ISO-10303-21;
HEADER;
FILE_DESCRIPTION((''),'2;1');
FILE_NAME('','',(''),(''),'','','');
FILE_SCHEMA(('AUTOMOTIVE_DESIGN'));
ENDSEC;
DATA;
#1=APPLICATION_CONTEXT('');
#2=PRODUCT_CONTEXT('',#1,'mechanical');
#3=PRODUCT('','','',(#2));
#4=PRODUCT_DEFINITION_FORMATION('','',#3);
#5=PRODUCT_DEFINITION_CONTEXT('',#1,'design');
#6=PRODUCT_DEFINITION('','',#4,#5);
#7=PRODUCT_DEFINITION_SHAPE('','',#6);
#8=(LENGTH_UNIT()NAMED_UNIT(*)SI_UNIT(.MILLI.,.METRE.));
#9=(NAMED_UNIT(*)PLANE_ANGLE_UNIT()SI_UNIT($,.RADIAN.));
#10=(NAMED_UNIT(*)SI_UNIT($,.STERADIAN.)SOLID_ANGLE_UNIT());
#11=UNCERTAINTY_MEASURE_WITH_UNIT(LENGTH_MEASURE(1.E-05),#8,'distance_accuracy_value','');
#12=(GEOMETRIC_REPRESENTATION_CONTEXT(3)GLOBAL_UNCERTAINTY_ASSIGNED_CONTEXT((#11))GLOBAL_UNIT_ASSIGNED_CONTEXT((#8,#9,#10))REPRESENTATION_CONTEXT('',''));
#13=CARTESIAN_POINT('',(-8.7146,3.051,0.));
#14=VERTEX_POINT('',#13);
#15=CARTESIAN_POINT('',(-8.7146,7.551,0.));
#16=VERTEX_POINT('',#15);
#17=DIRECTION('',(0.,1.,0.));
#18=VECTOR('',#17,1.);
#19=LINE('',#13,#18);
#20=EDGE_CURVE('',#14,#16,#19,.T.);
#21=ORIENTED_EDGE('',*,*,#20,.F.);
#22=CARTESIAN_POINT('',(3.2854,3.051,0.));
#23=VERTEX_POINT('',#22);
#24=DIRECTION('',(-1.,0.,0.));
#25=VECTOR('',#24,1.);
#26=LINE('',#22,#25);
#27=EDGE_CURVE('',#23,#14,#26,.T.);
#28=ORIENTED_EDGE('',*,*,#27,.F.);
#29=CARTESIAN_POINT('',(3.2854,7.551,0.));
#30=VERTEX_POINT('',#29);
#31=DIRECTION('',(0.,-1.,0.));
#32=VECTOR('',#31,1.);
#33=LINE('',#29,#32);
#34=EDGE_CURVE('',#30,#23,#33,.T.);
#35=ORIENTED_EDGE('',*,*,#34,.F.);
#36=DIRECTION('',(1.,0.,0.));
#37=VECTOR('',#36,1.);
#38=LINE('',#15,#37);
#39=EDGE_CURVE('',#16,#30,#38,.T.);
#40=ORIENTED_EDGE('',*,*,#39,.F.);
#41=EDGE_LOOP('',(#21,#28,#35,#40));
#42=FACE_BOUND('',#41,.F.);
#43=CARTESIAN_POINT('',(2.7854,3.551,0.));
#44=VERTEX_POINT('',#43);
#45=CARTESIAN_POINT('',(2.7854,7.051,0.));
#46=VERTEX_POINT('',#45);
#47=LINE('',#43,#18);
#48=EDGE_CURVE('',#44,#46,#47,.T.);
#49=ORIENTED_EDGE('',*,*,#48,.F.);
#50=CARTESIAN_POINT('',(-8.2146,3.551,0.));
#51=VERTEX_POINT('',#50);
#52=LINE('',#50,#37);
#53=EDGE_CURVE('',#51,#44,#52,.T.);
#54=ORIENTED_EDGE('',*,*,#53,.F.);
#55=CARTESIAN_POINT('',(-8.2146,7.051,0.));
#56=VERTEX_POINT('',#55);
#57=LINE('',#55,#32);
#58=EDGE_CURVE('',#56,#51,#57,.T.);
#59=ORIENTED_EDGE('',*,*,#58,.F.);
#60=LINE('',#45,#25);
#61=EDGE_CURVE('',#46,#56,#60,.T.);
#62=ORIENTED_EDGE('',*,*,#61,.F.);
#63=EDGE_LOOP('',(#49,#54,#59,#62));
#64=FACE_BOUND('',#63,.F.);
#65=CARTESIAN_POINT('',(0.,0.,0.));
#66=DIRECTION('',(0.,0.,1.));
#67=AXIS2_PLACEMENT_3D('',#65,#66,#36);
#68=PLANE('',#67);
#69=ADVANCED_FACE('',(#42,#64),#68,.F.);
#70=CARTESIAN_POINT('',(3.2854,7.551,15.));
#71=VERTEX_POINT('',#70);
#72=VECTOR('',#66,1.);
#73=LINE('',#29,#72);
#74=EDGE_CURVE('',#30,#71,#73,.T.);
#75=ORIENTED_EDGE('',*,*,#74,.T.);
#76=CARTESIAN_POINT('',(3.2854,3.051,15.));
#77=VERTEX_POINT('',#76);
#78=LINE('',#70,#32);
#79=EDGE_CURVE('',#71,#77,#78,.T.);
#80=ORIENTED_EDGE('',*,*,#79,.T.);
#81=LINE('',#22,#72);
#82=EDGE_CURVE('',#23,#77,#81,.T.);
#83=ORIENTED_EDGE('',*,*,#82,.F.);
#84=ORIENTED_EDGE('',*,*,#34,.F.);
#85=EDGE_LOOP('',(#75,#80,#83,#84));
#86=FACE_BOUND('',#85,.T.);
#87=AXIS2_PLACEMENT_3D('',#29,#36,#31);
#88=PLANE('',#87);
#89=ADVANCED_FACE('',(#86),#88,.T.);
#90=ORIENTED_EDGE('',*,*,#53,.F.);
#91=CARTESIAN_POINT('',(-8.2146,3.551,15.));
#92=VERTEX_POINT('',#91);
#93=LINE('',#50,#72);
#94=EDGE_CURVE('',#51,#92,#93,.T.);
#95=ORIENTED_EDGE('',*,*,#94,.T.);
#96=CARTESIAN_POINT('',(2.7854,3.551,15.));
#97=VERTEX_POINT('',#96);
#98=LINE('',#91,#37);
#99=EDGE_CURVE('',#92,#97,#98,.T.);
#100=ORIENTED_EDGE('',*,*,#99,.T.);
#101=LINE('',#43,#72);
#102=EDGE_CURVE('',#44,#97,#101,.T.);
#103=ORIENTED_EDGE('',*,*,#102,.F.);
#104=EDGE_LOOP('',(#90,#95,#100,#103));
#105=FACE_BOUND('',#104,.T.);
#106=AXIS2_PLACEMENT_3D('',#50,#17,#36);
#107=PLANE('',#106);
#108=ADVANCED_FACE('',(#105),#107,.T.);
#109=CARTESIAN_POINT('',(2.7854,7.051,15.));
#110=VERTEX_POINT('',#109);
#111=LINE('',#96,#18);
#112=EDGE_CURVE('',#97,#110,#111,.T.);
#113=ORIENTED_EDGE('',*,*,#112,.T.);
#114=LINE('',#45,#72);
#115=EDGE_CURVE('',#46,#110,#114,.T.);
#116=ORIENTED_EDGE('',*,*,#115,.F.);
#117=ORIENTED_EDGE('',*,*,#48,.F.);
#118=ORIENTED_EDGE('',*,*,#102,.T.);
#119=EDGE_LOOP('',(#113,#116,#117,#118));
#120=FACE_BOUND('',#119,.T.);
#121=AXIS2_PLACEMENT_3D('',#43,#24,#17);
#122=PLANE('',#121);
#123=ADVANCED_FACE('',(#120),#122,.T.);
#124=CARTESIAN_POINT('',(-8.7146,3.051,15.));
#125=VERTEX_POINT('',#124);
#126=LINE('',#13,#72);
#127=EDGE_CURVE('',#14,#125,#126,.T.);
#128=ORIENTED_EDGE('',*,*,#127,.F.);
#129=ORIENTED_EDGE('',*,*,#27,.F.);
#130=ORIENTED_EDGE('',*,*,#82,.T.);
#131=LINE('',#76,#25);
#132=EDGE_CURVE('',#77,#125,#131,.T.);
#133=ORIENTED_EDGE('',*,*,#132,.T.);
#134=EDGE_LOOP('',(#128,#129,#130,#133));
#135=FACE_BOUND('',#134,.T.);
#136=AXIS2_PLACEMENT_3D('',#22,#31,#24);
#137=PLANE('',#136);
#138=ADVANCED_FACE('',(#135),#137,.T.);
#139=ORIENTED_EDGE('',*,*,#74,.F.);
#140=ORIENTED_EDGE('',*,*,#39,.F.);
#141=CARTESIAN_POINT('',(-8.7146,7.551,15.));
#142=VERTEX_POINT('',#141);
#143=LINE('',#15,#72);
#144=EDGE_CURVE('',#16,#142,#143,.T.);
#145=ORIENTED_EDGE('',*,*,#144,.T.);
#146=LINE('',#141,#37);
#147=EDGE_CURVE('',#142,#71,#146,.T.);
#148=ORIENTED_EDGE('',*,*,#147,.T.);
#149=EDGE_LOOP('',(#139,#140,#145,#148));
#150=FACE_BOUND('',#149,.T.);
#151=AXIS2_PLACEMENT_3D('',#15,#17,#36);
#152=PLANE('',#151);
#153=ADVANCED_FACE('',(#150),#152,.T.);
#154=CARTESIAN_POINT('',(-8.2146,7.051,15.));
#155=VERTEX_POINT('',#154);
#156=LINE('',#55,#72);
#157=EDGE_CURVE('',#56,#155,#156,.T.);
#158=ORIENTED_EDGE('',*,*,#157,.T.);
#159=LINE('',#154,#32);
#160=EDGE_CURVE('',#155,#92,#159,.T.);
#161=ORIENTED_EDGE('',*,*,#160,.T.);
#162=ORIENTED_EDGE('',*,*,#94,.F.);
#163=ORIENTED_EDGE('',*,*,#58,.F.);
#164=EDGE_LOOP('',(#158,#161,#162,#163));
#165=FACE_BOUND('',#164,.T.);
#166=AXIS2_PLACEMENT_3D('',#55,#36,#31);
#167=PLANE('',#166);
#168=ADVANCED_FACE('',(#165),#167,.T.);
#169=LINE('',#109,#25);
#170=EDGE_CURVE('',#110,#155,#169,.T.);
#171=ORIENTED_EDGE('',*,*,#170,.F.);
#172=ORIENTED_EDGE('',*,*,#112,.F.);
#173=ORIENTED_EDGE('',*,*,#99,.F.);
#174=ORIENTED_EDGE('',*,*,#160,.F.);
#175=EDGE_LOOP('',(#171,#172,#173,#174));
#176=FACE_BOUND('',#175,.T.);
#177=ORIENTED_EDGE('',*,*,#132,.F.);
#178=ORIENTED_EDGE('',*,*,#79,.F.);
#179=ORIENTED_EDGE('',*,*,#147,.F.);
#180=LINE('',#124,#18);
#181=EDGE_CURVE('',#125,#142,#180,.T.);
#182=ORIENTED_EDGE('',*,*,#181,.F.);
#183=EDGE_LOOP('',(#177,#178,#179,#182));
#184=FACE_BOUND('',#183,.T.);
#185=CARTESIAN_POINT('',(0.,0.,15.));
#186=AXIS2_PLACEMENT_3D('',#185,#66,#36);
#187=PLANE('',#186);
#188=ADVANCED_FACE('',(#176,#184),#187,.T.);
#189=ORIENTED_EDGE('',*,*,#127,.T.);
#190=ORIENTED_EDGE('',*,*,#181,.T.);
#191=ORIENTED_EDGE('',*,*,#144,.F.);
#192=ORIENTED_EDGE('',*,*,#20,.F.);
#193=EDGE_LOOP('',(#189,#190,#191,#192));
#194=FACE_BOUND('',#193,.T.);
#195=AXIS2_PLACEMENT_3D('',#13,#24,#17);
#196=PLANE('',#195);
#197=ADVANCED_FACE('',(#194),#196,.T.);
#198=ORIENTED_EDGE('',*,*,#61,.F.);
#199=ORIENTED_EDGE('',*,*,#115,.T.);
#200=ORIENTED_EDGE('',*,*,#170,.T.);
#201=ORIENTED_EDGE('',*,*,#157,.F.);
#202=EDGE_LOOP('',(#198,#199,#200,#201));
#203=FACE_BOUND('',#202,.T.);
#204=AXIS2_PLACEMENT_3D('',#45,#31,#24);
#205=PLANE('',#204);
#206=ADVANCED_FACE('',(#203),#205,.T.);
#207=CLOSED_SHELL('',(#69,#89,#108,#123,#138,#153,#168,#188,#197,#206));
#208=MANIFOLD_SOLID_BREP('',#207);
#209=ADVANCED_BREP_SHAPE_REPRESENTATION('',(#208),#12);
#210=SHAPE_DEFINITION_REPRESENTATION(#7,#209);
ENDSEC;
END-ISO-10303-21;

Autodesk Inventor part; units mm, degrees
ref_plane "YZ Plane" through (0, 0, 0) normal (1, 0, 0) x (0, 1, 0)
ref_plane "XZ Plane" through (0, 0, 0) normal (0, 1, 0) x (-1, 0, 0)
ref_plane "XY Plane" through (0, 0, 0) normal (0, 0, 1) x (1, 0, 0)
sketch "Sketch1" plane through (0, 0, 0) normal (0, 0, 1) x (1, 0, 0)
  line L0 (-8.7146, 7.551) -> (3.2854, 7.551)
  line L1 (3.2854, 7.551) -> (3.2854, 3.051)
  line L2 (3.2854, 3.051) -> (-8.7146, 3.051)
  line L3 (-8.7146, 3.051) -> (-8.7146, 7.551)
  line L4 (2.7854, 7.051) -> (-8.2146, 7.051)
  line L5 (-8.2146, 7.051) -> (-8.2146, 3.551)
  line L6 (-8.2146, 3.551) -> (2.7854, 3.551)
  line L7 (2.7854, 3.551) -> (2.7854, 7.051)
  point P0 (0, 0)
  dimension "d0" = 12
  dimension "d1" = 4.5
  dimension "d2" = 0.5
extrude "Extrusion1" add sketch "Sketch1" along normal blind 15
properties part number "capa" material "Steel, Alloy"
